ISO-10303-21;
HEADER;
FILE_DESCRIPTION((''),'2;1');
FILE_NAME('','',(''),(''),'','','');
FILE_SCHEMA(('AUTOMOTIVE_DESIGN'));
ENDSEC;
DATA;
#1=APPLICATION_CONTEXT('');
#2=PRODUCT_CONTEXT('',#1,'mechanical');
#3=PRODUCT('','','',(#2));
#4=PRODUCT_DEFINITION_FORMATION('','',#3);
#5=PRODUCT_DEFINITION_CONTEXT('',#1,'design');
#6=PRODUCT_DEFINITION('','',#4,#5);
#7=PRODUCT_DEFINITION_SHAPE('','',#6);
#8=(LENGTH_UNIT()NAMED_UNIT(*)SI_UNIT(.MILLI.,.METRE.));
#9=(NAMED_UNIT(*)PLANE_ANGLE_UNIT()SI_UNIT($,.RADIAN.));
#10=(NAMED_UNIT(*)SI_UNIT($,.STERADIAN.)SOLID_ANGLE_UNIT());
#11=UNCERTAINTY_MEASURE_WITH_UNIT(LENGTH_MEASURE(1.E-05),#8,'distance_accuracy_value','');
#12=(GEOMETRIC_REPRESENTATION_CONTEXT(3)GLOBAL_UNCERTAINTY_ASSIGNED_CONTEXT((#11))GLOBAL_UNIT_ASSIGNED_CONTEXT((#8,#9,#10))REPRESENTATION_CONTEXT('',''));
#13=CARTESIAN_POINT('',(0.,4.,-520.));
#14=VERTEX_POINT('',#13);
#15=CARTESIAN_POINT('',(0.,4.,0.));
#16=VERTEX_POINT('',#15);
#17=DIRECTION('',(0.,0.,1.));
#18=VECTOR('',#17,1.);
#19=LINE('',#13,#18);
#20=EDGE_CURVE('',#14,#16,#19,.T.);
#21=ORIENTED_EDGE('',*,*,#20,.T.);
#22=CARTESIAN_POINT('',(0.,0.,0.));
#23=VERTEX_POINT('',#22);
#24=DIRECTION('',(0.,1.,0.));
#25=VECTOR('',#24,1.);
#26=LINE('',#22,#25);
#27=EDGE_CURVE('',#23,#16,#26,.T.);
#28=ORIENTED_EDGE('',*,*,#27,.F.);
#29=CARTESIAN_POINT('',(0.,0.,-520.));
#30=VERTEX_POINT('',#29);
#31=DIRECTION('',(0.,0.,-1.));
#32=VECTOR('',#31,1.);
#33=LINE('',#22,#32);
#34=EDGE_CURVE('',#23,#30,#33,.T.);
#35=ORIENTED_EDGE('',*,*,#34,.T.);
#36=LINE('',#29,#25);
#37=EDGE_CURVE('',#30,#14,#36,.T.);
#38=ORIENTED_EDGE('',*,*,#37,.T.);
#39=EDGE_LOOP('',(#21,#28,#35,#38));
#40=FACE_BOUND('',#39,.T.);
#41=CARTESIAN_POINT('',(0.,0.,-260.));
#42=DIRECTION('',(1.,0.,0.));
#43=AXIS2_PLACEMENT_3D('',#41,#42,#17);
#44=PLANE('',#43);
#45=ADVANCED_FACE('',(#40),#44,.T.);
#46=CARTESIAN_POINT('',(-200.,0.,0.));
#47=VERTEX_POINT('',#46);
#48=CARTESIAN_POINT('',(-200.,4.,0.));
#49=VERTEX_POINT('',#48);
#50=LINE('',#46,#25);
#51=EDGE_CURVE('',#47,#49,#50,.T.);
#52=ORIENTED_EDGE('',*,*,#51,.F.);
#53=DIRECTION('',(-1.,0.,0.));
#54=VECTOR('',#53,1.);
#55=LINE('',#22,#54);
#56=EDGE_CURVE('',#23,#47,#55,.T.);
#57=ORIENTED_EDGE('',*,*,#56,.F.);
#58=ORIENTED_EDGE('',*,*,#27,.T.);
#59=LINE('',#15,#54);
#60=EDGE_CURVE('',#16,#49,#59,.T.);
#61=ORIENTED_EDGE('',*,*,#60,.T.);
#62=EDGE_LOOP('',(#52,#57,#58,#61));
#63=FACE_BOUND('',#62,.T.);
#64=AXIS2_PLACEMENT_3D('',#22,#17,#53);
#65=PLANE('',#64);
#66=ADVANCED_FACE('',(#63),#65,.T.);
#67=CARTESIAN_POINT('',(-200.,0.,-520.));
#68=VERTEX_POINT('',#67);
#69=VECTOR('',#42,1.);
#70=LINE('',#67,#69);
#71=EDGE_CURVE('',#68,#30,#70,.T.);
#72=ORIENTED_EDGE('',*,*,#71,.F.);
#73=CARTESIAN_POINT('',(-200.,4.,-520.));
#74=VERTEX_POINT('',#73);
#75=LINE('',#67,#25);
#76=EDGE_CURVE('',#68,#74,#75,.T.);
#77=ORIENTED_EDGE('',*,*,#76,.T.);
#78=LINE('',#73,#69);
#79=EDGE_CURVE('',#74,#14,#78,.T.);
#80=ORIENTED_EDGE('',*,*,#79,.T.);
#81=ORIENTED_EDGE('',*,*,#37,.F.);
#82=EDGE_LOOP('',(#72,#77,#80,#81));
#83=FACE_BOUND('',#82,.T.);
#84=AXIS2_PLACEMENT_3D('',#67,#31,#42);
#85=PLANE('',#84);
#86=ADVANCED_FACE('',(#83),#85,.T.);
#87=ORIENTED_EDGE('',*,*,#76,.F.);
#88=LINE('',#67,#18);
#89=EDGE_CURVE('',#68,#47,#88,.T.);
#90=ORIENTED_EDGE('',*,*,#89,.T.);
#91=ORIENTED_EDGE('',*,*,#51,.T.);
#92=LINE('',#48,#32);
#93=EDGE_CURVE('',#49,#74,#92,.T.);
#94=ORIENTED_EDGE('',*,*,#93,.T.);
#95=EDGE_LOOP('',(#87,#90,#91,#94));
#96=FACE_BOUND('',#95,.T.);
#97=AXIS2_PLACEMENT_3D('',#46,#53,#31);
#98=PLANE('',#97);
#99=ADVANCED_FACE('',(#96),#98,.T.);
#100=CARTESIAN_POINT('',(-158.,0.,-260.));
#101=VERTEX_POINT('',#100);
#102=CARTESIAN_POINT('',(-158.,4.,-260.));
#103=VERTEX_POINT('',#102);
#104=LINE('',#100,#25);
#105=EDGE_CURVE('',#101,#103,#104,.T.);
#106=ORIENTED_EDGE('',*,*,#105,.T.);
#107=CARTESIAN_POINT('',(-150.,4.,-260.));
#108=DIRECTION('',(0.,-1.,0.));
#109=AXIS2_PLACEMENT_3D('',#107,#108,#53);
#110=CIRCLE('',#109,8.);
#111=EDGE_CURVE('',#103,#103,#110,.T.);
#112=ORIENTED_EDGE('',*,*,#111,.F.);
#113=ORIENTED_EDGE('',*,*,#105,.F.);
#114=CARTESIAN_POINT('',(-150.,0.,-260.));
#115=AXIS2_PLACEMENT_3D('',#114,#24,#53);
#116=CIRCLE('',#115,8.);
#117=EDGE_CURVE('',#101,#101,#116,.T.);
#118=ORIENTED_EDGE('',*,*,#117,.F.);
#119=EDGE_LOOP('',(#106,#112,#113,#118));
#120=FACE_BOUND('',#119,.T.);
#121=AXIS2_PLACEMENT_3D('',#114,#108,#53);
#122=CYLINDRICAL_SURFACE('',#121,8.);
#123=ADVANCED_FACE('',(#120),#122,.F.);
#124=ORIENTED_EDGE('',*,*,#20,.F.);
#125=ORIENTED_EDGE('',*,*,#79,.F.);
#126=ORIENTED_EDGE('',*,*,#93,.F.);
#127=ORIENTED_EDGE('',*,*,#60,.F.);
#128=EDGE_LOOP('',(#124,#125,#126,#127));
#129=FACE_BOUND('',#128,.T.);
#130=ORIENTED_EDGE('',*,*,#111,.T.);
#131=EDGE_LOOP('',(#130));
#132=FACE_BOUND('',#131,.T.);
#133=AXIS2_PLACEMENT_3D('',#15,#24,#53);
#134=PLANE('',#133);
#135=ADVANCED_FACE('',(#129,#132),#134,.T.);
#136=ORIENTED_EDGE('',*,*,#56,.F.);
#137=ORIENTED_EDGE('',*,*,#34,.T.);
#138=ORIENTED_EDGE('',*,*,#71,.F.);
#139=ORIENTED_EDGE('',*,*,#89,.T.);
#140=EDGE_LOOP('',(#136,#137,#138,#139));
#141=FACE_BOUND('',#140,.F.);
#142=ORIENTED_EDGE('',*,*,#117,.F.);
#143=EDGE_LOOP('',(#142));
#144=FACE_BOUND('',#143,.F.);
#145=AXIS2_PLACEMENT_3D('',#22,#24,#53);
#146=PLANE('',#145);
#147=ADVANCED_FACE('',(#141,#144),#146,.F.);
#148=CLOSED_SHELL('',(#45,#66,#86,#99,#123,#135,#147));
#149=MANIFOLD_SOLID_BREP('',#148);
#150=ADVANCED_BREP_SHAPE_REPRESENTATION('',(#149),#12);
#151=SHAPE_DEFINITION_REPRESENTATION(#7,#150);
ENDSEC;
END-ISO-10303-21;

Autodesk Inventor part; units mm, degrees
ref_plane "YZ Plane" through (0, 0, 0) normal (1, 0, 0) x (0, 1, 0)
ref_plane "XZ Plane" through (0, 0, 0) normal (0, 1, 0) x (-1, 0, 0)
ref_plane "XY Plane" through (0, 0, 0) normal (0, 0, 1) x (1, 0, 0)
sketch "Эскиз1" plane through (0, 0, 0) normal (0, 1, 0) x (-1, 0, 0)
  line L0 (0, 0) -> (200, 0)
  line L1 (200, 0) -> (200, -520)
  line L2 (200, -520) -> (0, -520)
  line L3 (0, -520) -> (0, 0)
  circle A0 centre (150, -260) radius 8
  line L4 (150, -260) -> (0, -260)
  line L5 (150, -260) -> (200, -260)
  dimension "d0" = 200
  dimension "d1" = 520
  dimension "d2" = 16
  dimension "d3" = 150
extrude "Выдавливание1" add sketch "Эскиз1" along normal blind 4 contours L0 L1 L5 A0 L4 L3 | L4 A0 L5 L1 L2 L3
properties part number "Стена 16 мм отверстие"
